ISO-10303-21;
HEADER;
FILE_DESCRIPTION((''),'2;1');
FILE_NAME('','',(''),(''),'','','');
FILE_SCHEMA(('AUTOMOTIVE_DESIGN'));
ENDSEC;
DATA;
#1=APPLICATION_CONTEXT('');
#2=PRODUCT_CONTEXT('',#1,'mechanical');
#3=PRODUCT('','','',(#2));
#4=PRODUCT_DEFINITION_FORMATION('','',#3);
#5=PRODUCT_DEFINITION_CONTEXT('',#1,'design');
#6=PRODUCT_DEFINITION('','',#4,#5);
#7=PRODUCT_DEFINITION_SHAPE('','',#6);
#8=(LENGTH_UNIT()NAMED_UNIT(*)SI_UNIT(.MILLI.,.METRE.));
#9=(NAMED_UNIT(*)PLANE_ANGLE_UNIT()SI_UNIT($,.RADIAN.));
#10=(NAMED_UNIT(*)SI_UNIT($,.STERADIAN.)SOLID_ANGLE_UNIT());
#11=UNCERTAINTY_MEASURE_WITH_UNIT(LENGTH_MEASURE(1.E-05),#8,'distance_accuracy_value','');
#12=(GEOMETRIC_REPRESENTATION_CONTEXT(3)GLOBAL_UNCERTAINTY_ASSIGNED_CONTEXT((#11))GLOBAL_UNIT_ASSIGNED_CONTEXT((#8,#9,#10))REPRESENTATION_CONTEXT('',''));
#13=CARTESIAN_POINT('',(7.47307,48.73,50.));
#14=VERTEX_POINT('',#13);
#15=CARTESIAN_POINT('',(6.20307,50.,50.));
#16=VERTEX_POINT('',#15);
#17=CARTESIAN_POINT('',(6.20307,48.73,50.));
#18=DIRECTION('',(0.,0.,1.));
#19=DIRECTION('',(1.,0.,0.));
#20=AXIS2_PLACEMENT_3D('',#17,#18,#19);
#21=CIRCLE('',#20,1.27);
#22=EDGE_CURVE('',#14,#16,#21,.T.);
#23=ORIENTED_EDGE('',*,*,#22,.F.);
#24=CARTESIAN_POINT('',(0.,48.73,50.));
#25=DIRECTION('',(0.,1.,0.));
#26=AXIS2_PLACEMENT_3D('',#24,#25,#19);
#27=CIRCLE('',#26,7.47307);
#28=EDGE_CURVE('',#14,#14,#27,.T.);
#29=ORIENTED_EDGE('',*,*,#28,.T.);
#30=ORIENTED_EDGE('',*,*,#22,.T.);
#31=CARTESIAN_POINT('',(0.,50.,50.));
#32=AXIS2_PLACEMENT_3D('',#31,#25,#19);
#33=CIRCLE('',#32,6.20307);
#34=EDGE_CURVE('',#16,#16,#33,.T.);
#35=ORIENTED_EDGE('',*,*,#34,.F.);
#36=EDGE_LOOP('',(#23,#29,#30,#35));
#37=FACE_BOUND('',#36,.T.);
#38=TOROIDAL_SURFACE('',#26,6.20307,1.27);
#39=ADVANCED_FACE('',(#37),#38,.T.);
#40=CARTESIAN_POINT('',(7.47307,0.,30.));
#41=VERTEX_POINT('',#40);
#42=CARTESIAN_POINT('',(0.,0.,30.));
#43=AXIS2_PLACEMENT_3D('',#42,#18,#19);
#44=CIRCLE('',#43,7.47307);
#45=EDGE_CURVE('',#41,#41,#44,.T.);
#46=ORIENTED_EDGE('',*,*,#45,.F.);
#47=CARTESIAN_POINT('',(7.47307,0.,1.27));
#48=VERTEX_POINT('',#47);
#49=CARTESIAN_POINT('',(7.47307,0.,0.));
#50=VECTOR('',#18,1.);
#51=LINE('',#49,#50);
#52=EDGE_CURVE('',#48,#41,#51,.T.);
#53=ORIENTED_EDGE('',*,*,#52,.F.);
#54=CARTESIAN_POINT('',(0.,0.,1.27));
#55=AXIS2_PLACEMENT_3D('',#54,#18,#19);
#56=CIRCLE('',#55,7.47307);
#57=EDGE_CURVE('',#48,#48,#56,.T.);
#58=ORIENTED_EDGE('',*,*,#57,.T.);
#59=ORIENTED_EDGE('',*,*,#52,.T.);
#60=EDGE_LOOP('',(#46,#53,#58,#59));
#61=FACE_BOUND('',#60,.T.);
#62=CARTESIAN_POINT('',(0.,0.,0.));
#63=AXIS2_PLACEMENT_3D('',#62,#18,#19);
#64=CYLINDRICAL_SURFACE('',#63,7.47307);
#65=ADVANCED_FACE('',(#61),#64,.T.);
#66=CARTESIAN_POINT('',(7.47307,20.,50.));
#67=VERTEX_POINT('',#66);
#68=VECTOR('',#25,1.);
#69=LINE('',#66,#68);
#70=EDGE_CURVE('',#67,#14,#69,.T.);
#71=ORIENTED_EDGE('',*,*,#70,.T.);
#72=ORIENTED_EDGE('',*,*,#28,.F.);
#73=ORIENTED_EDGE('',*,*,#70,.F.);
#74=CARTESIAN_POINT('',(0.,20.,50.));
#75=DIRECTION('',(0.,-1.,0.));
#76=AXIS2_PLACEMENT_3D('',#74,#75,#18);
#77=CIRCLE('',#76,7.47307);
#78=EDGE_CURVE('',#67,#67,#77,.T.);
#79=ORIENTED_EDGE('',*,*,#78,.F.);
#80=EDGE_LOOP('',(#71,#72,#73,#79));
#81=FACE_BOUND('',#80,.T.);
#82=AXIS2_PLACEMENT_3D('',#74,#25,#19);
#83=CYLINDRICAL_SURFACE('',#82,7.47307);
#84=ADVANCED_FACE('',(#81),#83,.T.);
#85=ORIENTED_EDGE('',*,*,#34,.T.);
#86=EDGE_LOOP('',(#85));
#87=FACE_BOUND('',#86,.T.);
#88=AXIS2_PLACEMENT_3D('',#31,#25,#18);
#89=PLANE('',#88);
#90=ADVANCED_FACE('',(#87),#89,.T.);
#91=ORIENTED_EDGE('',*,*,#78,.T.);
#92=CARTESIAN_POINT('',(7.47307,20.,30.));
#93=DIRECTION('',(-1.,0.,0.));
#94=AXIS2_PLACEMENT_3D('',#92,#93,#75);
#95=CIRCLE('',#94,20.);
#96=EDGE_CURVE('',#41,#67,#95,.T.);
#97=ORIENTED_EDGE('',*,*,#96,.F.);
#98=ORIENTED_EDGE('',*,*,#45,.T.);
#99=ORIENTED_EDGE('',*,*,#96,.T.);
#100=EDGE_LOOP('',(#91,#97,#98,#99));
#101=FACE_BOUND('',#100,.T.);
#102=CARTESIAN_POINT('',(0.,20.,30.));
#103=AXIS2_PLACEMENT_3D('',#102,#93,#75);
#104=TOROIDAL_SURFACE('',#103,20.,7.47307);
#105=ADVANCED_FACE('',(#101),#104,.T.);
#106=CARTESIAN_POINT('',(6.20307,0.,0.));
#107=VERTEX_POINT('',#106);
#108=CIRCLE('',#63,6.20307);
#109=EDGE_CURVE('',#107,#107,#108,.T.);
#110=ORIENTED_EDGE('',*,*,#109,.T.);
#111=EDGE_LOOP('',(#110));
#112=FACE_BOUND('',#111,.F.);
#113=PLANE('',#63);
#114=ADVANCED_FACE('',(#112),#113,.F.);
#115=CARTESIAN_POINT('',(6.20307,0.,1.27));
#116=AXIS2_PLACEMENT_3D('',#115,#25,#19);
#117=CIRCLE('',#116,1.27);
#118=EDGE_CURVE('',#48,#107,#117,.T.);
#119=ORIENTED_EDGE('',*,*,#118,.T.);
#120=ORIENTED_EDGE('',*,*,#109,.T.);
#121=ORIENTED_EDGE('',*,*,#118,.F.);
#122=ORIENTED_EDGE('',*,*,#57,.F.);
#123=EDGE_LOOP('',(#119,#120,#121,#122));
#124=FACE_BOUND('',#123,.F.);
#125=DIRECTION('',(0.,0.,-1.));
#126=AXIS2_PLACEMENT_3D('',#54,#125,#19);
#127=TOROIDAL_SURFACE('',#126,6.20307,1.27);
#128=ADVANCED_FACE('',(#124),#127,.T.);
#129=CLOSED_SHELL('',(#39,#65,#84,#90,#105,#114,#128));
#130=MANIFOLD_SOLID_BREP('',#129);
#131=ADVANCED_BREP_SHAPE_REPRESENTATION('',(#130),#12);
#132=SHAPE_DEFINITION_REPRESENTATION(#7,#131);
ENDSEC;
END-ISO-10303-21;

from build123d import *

# Parameters (mm, degrees)
F1_R = 7.4730699925
F3_R = 1.27


with BuildPart() as f2:
    # F2: sweep along a path in F0
    with BuildLine(Plane.YZ) as f2_path:
        Line((0, 0), (0, 30))
        ThreePointArc((0, 30), (5.8578643763, 44.1421356237), (20, 50))
        Line((20, 50), (50, 50))
    # F1 (on Top) → F2 (sweep)
    with BuildSketch(Plane.XY):
        Circle(F1_R)
    sweep(path=f2_path.line)

    # F3
    f3_edges = [f2.edges().sort_by_distance(p)[0] for p in [
        (-7.47307, 50, 50),
        (-7.47307, 0, 0),
    ]]
    fillet(f3_edges, radius=F3_R)


solid = f2.part
